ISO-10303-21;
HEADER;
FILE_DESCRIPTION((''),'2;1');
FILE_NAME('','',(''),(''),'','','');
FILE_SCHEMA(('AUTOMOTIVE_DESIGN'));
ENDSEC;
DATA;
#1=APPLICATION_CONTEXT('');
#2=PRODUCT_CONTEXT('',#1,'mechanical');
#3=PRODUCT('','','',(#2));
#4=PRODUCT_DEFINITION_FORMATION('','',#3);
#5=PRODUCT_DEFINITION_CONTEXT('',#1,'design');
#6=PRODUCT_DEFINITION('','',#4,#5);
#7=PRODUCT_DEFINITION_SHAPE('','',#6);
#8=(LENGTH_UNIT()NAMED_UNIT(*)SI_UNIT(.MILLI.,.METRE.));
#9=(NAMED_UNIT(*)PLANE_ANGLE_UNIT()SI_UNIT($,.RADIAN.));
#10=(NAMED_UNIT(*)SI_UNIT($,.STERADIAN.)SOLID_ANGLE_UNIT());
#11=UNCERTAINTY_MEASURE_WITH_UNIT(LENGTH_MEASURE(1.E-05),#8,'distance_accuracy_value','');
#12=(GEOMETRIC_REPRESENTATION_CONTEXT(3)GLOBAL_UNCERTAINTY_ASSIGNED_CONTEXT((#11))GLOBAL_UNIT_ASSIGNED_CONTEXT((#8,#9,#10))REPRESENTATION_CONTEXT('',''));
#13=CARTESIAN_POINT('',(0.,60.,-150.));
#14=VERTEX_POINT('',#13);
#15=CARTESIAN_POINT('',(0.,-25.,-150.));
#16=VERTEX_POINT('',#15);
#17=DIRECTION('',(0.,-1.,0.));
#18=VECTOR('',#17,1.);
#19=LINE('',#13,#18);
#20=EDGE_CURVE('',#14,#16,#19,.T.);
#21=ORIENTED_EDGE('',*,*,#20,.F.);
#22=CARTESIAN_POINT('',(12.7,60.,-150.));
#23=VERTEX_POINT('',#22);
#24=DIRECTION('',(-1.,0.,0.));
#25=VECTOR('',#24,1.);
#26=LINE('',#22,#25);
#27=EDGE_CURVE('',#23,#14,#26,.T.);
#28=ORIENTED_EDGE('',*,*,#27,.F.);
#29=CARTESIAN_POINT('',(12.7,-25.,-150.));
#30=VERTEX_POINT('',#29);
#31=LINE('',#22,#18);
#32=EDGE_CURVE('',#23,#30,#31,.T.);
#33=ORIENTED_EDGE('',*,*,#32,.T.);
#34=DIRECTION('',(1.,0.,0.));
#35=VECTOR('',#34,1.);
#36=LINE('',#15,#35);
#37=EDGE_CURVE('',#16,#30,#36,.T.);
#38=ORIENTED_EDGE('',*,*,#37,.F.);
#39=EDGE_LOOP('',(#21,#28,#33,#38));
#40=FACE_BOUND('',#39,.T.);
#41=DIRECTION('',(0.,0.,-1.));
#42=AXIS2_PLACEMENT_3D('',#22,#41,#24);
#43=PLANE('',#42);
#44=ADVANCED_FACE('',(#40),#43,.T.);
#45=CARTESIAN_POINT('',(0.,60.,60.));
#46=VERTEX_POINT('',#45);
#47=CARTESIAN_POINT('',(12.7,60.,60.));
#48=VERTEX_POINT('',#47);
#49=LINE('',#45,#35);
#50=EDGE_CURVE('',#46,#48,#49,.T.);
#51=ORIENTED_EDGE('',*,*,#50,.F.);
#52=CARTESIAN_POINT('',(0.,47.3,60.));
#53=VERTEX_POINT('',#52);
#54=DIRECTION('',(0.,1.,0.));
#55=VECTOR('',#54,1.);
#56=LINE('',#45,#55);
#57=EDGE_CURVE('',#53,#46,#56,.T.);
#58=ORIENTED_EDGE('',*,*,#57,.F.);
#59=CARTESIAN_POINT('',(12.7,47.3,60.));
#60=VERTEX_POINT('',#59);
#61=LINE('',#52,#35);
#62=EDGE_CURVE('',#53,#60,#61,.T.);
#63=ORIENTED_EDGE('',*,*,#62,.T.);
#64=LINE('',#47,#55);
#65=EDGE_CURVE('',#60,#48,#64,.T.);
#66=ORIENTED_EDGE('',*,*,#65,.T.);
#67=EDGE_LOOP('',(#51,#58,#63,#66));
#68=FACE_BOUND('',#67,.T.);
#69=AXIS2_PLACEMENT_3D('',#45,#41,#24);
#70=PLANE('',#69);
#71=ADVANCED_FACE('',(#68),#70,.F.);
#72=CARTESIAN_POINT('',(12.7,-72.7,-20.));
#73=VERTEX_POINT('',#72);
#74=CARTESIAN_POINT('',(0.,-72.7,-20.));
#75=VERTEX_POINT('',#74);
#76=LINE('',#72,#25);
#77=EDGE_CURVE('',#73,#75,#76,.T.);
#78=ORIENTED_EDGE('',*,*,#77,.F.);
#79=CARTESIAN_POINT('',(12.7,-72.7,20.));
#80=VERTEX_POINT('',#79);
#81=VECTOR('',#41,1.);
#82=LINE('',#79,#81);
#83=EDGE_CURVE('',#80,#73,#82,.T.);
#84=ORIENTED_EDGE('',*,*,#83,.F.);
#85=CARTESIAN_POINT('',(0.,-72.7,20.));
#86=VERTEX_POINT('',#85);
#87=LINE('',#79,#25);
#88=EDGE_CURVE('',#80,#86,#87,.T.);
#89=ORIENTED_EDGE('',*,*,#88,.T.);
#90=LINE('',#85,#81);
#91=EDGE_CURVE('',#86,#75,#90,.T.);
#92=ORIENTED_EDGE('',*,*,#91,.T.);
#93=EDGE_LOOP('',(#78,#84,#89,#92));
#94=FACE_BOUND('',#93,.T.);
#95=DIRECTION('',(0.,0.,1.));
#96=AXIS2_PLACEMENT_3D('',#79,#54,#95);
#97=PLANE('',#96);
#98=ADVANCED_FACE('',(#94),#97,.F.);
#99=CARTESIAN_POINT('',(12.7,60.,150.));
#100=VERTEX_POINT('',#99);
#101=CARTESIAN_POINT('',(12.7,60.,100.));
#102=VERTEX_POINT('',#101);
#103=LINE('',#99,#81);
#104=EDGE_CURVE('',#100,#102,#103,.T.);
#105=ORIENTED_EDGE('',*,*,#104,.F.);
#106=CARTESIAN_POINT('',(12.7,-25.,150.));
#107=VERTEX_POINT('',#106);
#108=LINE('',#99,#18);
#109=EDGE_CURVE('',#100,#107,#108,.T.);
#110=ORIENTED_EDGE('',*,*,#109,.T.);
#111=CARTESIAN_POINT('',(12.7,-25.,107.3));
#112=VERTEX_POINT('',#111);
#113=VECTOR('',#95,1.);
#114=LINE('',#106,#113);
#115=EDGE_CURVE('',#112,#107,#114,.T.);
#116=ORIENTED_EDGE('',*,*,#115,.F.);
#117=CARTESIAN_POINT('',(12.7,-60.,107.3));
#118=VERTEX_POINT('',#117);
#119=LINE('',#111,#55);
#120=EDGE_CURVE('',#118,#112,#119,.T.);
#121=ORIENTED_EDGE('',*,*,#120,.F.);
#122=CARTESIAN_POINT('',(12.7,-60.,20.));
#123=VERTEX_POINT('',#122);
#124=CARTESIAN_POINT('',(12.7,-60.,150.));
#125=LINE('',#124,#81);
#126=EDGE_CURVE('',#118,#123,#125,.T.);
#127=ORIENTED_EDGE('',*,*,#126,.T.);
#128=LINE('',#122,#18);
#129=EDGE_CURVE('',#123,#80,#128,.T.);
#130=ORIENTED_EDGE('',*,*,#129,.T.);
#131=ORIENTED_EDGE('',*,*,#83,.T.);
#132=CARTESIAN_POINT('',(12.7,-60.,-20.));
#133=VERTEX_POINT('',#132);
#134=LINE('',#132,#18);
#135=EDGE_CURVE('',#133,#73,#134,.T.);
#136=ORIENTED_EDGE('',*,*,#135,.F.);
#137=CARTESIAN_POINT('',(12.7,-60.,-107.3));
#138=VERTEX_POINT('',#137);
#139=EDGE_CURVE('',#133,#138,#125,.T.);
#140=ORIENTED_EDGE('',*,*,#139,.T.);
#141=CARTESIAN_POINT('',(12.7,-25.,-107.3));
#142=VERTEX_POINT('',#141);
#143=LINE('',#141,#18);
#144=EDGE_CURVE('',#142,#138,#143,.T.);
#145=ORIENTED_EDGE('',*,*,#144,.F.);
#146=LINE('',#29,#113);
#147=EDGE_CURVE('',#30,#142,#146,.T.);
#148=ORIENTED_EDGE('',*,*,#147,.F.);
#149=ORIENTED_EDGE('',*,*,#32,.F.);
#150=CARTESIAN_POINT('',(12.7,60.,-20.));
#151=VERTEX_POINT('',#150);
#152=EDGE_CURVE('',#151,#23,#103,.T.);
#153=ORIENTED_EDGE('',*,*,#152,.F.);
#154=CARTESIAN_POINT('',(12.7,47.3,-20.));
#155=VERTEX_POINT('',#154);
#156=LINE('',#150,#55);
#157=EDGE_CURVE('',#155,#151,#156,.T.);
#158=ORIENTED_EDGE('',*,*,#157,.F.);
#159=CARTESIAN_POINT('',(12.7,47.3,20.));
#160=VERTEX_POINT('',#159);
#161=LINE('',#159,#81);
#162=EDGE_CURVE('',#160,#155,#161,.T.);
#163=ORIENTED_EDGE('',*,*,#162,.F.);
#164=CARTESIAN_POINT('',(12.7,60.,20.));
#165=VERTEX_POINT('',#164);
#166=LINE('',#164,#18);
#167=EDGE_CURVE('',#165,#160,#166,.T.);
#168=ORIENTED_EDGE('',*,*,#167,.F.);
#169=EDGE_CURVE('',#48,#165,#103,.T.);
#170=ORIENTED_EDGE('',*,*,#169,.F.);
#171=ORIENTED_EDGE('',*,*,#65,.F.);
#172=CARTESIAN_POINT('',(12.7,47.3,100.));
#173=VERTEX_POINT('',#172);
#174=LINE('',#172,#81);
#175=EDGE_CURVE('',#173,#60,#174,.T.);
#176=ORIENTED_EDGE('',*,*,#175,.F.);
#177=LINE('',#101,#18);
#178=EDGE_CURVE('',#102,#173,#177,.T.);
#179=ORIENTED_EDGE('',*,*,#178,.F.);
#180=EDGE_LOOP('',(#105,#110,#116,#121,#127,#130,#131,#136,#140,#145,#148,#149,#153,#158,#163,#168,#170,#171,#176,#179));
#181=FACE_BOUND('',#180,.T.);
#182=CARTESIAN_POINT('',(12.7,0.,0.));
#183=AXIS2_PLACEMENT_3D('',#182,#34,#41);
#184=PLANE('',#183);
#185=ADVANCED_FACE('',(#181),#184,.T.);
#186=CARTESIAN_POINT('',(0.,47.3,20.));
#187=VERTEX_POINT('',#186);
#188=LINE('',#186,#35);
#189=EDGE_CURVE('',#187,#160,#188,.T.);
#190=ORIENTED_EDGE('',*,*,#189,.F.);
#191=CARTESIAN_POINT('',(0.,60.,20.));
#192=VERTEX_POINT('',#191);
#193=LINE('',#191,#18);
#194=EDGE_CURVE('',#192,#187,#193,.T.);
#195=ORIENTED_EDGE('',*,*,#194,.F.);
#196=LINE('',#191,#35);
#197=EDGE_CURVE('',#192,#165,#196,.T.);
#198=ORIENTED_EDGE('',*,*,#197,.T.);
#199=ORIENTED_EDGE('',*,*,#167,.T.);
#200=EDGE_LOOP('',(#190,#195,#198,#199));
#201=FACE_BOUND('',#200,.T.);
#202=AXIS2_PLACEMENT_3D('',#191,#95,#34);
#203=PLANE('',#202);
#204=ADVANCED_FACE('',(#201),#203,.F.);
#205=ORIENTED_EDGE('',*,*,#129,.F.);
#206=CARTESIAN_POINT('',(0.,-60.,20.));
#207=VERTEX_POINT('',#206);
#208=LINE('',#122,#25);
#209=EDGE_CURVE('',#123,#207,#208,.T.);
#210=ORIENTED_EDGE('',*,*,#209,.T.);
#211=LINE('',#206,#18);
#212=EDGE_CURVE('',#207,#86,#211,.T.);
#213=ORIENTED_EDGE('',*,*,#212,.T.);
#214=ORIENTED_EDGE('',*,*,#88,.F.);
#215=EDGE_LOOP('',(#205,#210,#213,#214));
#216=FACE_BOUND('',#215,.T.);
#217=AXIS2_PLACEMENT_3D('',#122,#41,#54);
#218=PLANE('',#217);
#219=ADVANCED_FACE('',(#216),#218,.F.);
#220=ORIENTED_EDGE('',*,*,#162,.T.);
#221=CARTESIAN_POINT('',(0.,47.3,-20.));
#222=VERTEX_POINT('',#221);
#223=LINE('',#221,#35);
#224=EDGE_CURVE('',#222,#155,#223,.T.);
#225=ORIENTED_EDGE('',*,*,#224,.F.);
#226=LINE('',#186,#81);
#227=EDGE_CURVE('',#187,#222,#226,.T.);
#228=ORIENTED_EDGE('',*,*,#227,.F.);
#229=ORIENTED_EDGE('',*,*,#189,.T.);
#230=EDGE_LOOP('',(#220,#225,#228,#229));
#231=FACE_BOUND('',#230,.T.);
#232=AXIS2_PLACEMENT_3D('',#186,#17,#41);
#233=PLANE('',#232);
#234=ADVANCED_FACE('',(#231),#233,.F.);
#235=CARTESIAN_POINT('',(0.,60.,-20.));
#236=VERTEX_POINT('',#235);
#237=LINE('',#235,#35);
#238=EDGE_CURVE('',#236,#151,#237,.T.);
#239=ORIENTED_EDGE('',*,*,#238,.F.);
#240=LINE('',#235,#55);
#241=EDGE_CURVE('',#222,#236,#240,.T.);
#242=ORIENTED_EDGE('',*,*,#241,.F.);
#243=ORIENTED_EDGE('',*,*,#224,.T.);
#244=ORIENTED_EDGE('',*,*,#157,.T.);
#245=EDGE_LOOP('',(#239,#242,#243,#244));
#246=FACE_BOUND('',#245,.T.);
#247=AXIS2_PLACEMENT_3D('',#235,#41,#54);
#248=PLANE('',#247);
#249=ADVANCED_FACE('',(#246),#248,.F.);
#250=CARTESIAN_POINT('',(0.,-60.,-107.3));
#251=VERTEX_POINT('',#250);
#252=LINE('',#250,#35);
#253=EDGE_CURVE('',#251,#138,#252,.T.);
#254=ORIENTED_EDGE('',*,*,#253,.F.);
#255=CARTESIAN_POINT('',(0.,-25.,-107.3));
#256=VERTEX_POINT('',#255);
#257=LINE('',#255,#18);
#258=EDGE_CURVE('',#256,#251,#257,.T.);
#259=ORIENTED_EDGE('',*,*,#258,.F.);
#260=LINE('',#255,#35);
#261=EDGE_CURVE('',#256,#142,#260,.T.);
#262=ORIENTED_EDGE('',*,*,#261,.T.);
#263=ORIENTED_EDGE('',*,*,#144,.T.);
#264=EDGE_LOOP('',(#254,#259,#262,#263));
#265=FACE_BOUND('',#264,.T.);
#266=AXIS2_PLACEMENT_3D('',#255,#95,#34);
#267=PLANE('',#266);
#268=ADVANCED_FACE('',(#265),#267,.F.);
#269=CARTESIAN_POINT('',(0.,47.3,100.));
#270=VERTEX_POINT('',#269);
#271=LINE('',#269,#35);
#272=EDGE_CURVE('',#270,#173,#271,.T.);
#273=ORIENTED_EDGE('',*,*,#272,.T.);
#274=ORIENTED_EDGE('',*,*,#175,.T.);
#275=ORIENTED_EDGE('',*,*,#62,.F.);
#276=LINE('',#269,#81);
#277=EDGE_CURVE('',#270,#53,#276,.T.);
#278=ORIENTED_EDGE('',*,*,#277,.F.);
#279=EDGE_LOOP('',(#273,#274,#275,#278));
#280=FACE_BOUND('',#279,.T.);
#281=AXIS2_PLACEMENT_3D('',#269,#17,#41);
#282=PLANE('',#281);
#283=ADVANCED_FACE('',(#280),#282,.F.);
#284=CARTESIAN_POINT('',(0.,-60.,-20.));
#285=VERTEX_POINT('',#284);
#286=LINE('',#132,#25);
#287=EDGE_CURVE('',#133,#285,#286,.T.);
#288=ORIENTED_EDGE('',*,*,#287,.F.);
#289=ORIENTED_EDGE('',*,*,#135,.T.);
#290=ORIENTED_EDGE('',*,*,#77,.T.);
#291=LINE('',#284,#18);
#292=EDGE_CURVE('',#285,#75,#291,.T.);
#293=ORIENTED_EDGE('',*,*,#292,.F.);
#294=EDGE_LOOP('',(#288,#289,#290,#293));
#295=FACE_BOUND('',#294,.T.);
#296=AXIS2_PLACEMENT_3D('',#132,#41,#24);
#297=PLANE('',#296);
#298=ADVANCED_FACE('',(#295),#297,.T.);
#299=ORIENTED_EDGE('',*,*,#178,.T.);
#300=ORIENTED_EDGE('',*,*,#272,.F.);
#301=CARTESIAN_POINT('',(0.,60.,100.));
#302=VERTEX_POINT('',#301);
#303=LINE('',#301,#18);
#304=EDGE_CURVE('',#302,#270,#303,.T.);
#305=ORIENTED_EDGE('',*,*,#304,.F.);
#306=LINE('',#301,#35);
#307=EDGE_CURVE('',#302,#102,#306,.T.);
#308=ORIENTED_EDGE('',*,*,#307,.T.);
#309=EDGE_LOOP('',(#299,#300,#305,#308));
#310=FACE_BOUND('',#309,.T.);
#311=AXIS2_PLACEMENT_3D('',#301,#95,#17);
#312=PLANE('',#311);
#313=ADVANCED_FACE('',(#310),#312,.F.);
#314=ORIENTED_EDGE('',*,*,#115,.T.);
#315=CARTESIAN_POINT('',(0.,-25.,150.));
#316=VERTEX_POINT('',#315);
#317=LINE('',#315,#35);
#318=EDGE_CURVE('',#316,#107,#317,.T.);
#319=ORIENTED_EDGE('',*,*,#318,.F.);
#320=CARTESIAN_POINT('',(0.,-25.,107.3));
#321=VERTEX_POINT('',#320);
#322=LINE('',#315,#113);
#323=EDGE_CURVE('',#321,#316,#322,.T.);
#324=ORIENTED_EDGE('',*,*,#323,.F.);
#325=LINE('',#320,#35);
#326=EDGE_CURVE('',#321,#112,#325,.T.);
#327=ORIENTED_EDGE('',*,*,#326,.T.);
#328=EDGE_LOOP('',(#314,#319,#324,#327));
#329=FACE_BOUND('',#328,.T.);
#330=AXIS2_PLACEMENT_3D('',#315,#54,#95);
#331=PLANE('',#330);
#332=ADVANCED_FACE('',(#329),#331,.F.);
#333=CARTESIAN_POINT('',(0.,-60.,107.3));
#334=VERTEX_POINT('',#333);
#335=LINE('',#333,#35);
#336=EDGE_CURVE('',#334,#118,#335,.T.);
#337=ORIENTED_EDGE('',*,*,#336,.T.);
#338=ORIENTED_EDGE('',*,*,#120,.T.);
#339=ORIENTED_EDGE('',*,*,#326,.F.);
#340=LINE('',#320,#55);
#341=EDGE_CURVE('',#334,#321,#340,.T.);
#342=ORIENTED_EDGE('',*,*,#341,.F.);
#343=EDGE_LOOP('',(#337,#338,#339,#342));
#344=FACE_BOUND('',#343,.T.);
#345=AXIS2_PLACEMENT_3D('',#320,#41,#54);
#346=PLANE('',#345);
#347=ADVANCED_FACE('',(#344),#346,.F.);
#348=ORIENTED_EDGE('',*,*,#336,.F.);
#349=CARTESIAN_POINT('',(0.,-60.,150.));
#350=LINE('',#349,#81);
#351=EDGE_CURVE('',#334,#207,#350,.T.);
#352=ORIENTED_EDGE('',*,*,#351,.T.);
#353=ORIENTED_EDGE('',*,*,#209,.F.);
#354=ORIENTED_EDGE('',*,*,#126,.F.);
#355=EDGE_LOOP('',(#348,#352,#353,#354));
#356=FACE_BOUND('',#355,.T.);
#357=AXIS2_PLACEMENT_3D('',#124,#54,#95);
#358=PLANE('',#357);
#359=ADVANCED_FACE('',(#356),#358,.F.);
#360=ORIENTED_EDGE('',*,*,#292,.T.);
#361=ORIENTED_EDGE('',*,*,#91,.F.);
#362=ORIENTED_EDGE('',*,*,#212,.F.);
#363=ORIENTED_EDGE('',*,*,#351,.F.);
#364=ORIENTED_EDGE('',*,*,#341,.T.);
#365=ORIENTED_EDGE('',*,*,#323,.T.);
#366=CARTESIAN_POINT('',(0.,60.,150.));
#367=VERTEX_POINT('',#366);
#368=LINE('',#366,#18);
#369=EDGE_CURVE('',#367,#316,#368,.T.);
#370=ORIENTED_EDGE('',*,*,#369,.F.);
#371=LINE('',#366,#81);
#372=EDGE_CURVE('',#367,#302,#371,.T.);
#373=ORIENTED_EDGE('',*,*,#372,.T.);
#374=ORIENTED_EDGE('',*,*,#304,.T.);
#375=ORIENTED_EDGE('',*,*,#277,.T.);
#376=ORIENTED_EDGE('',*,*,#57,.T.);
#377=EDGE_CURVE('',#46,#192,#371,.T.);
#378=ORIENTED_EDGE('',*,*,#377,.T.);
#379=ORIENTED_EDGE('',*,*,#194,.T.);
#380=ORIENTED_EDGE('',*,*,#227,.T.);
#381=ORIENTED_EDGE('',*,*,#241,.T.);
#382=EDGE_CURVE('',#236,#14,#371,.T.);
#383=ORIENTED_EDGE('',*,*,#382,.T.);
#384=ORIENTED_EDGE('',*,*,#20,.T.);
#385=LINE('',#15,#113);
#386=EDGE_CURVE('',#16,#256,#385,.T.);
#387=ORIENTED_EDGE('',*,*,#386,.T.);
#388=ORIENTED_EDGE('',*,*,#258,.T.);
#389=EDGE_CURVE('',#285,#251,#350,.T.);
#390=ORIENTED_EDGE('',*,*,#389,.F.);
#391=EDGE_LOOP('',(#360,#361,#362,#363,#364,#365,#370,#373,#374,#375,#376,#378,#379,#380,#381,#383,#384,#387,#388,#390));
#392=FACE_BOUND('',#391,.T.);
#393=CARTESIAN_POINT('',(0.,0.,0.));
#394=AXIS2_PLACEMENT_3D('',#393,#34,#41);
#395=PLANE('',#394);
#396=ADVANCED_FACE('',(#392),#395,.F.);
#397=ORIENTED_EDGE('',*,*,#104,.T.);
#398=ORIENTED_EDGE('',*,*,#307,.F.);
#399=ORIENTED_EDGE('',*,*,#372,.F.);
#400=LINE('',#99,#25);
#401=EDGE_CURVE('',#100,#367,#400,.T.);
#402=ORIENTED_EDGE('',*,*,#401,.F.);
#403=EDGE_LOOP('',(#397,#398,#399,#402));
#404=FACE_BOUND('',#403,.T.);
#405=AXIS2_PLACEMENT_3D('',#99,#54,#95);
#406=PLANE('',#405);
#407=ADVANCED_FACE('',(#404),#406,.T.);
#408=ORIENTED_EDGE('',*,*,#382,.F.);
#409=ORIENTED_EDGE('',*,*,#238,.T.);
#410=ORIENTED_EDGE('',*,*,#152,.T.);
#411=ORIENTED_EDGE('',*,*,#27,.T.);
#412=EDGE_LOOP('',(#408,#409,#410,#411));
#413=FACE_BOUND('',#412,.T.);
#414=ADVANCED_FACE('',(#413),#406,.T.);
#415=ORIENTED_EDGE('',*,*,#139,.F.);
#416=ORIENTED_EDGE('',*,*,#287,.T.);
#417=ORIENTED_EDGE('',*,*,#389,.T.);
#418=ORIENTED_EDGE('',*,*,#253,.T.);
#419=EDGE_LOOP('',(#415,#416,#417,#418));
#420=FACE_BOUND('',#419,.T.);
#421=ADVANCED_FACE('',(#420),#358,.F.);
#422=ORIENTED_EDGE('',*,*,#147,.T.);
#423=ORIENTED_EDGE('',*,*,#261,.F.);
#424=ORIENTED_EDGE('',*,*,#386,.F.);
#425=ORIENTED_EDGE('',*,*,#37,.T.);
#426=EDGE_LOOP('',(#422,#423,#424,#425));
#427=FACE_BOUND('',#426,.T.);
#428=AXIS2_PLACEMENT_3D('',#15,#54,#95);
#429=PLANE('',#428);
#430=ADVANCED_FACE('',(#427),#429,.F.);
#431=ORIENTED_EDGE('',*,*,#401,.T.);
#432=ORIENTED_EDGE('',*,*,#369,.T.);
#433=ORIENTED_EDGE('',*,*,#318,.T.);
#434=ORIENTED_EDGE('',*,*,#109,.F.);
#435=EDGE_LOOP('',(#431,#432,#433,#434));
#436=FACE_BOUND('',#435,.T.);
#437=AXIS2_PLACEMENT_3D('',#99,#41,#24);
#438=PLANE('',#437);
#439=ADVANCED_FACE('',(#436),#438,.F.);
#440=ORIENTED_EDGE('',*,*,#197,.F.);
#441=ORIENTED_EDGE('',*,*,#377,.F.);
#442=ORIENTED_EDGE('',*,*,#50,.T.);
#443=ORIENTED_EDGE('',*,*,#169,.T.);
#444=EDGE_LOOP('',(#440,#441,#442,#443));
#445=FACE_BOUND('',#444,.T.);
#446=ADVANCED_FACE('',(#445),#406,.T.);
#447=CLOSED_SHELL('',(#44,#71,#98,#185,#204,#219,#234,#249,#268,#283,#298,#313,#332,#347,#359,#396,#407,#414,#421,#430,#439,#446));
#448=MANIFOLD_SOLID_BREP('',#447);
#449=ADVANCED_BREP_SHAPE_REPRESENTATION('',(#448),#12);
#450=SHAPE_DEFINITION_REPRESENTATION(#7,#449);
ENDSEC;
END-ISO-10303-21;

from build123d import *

# Parameters (mm, degrees)
SKETCH1_W           = 300
SKETCH1_H           = 120
SKETCH1_W_2         = 40
SKETCH1_H_2         = 12.7
BOSS_EXTRUDE1_DEPTH = 12.7
SKETCH2_W           = 42.7
SKETCH2_H           = 35
CUT_EXTRUDE1_DEPTH  = 12.7
SKETCH3_W           = 40
SKETCH3_H           = 12.7
CUT_EXTRUDE2_DEPTH  = 12.7
SKETCH4_W           = 40
SKETCH4_H           = 12.7
CUT_EXTRUDE3_DEPTH  = 12.7


with BuildPart() as part:
    # Sketch1 → Boss-Extrude1 (new body)
    with BuildSketch(Plane(origin=(0, 0, 0), x_dir=(0, 0, -1), z_dir=(1, 0, 0))):
        Rectangle(SKETCH1_W, SKETCH1_H)
        with Locations((0, -66.35)):
            Rectangle(SKETCH1_W_2, SKETCH1_H_2)
    extrude(amount=BOSS_EXTRUDE1_DEPTH)

    # Sketch2 → Cut-Extrude1 (cut)
    with BuildSketch(Plane(origin=(12.7, 0, 0), x_dir=(0, 0, -1), z_dir=(1, 0, 0))):
        with Locations((-128.65, -42.5)):
            Rectangle(SKETCH2_W, SKETCH2_H)
        with Locations((128.65, -42.5)):
            Rectangle(SKETCH2_W, SKETCH2_H)
    extrude(amount=-CUT_EXTRUDE1_DEPTH, mode=Mode.SUBTRACT)

    # Sketch3 → Cut-Extrude2 (cut)
    with BuildSketch(Plane(origin=(12.7, 0, 0), x_dir=(0, 0, -1), z_dir=(1, 0, 0))):
        with Locations((0, 53.65)):
            Rectangle(SKETCH3_W, SKETCH3_H)
    extrude(amount=-CUT_EXTRUDE2_DEPTH, mode=Mode.SUBTRACT)

    # Sketch4 → Cut-Extrude3 (cut)
    with BuildSketch(Plane(origin=(12.7, 0, 0), x_dir=(0, 0, -1), z_dir=(1, 0, 0))):
        with Locations((-80, 53.65)):
            Rectangle(SKETCH4_W, SKETCH4_H)
    extrude(amount=-CUT_EXTRUDE3_DEPTH, mode=Mode.SUBTRACT)


solid = part.part
